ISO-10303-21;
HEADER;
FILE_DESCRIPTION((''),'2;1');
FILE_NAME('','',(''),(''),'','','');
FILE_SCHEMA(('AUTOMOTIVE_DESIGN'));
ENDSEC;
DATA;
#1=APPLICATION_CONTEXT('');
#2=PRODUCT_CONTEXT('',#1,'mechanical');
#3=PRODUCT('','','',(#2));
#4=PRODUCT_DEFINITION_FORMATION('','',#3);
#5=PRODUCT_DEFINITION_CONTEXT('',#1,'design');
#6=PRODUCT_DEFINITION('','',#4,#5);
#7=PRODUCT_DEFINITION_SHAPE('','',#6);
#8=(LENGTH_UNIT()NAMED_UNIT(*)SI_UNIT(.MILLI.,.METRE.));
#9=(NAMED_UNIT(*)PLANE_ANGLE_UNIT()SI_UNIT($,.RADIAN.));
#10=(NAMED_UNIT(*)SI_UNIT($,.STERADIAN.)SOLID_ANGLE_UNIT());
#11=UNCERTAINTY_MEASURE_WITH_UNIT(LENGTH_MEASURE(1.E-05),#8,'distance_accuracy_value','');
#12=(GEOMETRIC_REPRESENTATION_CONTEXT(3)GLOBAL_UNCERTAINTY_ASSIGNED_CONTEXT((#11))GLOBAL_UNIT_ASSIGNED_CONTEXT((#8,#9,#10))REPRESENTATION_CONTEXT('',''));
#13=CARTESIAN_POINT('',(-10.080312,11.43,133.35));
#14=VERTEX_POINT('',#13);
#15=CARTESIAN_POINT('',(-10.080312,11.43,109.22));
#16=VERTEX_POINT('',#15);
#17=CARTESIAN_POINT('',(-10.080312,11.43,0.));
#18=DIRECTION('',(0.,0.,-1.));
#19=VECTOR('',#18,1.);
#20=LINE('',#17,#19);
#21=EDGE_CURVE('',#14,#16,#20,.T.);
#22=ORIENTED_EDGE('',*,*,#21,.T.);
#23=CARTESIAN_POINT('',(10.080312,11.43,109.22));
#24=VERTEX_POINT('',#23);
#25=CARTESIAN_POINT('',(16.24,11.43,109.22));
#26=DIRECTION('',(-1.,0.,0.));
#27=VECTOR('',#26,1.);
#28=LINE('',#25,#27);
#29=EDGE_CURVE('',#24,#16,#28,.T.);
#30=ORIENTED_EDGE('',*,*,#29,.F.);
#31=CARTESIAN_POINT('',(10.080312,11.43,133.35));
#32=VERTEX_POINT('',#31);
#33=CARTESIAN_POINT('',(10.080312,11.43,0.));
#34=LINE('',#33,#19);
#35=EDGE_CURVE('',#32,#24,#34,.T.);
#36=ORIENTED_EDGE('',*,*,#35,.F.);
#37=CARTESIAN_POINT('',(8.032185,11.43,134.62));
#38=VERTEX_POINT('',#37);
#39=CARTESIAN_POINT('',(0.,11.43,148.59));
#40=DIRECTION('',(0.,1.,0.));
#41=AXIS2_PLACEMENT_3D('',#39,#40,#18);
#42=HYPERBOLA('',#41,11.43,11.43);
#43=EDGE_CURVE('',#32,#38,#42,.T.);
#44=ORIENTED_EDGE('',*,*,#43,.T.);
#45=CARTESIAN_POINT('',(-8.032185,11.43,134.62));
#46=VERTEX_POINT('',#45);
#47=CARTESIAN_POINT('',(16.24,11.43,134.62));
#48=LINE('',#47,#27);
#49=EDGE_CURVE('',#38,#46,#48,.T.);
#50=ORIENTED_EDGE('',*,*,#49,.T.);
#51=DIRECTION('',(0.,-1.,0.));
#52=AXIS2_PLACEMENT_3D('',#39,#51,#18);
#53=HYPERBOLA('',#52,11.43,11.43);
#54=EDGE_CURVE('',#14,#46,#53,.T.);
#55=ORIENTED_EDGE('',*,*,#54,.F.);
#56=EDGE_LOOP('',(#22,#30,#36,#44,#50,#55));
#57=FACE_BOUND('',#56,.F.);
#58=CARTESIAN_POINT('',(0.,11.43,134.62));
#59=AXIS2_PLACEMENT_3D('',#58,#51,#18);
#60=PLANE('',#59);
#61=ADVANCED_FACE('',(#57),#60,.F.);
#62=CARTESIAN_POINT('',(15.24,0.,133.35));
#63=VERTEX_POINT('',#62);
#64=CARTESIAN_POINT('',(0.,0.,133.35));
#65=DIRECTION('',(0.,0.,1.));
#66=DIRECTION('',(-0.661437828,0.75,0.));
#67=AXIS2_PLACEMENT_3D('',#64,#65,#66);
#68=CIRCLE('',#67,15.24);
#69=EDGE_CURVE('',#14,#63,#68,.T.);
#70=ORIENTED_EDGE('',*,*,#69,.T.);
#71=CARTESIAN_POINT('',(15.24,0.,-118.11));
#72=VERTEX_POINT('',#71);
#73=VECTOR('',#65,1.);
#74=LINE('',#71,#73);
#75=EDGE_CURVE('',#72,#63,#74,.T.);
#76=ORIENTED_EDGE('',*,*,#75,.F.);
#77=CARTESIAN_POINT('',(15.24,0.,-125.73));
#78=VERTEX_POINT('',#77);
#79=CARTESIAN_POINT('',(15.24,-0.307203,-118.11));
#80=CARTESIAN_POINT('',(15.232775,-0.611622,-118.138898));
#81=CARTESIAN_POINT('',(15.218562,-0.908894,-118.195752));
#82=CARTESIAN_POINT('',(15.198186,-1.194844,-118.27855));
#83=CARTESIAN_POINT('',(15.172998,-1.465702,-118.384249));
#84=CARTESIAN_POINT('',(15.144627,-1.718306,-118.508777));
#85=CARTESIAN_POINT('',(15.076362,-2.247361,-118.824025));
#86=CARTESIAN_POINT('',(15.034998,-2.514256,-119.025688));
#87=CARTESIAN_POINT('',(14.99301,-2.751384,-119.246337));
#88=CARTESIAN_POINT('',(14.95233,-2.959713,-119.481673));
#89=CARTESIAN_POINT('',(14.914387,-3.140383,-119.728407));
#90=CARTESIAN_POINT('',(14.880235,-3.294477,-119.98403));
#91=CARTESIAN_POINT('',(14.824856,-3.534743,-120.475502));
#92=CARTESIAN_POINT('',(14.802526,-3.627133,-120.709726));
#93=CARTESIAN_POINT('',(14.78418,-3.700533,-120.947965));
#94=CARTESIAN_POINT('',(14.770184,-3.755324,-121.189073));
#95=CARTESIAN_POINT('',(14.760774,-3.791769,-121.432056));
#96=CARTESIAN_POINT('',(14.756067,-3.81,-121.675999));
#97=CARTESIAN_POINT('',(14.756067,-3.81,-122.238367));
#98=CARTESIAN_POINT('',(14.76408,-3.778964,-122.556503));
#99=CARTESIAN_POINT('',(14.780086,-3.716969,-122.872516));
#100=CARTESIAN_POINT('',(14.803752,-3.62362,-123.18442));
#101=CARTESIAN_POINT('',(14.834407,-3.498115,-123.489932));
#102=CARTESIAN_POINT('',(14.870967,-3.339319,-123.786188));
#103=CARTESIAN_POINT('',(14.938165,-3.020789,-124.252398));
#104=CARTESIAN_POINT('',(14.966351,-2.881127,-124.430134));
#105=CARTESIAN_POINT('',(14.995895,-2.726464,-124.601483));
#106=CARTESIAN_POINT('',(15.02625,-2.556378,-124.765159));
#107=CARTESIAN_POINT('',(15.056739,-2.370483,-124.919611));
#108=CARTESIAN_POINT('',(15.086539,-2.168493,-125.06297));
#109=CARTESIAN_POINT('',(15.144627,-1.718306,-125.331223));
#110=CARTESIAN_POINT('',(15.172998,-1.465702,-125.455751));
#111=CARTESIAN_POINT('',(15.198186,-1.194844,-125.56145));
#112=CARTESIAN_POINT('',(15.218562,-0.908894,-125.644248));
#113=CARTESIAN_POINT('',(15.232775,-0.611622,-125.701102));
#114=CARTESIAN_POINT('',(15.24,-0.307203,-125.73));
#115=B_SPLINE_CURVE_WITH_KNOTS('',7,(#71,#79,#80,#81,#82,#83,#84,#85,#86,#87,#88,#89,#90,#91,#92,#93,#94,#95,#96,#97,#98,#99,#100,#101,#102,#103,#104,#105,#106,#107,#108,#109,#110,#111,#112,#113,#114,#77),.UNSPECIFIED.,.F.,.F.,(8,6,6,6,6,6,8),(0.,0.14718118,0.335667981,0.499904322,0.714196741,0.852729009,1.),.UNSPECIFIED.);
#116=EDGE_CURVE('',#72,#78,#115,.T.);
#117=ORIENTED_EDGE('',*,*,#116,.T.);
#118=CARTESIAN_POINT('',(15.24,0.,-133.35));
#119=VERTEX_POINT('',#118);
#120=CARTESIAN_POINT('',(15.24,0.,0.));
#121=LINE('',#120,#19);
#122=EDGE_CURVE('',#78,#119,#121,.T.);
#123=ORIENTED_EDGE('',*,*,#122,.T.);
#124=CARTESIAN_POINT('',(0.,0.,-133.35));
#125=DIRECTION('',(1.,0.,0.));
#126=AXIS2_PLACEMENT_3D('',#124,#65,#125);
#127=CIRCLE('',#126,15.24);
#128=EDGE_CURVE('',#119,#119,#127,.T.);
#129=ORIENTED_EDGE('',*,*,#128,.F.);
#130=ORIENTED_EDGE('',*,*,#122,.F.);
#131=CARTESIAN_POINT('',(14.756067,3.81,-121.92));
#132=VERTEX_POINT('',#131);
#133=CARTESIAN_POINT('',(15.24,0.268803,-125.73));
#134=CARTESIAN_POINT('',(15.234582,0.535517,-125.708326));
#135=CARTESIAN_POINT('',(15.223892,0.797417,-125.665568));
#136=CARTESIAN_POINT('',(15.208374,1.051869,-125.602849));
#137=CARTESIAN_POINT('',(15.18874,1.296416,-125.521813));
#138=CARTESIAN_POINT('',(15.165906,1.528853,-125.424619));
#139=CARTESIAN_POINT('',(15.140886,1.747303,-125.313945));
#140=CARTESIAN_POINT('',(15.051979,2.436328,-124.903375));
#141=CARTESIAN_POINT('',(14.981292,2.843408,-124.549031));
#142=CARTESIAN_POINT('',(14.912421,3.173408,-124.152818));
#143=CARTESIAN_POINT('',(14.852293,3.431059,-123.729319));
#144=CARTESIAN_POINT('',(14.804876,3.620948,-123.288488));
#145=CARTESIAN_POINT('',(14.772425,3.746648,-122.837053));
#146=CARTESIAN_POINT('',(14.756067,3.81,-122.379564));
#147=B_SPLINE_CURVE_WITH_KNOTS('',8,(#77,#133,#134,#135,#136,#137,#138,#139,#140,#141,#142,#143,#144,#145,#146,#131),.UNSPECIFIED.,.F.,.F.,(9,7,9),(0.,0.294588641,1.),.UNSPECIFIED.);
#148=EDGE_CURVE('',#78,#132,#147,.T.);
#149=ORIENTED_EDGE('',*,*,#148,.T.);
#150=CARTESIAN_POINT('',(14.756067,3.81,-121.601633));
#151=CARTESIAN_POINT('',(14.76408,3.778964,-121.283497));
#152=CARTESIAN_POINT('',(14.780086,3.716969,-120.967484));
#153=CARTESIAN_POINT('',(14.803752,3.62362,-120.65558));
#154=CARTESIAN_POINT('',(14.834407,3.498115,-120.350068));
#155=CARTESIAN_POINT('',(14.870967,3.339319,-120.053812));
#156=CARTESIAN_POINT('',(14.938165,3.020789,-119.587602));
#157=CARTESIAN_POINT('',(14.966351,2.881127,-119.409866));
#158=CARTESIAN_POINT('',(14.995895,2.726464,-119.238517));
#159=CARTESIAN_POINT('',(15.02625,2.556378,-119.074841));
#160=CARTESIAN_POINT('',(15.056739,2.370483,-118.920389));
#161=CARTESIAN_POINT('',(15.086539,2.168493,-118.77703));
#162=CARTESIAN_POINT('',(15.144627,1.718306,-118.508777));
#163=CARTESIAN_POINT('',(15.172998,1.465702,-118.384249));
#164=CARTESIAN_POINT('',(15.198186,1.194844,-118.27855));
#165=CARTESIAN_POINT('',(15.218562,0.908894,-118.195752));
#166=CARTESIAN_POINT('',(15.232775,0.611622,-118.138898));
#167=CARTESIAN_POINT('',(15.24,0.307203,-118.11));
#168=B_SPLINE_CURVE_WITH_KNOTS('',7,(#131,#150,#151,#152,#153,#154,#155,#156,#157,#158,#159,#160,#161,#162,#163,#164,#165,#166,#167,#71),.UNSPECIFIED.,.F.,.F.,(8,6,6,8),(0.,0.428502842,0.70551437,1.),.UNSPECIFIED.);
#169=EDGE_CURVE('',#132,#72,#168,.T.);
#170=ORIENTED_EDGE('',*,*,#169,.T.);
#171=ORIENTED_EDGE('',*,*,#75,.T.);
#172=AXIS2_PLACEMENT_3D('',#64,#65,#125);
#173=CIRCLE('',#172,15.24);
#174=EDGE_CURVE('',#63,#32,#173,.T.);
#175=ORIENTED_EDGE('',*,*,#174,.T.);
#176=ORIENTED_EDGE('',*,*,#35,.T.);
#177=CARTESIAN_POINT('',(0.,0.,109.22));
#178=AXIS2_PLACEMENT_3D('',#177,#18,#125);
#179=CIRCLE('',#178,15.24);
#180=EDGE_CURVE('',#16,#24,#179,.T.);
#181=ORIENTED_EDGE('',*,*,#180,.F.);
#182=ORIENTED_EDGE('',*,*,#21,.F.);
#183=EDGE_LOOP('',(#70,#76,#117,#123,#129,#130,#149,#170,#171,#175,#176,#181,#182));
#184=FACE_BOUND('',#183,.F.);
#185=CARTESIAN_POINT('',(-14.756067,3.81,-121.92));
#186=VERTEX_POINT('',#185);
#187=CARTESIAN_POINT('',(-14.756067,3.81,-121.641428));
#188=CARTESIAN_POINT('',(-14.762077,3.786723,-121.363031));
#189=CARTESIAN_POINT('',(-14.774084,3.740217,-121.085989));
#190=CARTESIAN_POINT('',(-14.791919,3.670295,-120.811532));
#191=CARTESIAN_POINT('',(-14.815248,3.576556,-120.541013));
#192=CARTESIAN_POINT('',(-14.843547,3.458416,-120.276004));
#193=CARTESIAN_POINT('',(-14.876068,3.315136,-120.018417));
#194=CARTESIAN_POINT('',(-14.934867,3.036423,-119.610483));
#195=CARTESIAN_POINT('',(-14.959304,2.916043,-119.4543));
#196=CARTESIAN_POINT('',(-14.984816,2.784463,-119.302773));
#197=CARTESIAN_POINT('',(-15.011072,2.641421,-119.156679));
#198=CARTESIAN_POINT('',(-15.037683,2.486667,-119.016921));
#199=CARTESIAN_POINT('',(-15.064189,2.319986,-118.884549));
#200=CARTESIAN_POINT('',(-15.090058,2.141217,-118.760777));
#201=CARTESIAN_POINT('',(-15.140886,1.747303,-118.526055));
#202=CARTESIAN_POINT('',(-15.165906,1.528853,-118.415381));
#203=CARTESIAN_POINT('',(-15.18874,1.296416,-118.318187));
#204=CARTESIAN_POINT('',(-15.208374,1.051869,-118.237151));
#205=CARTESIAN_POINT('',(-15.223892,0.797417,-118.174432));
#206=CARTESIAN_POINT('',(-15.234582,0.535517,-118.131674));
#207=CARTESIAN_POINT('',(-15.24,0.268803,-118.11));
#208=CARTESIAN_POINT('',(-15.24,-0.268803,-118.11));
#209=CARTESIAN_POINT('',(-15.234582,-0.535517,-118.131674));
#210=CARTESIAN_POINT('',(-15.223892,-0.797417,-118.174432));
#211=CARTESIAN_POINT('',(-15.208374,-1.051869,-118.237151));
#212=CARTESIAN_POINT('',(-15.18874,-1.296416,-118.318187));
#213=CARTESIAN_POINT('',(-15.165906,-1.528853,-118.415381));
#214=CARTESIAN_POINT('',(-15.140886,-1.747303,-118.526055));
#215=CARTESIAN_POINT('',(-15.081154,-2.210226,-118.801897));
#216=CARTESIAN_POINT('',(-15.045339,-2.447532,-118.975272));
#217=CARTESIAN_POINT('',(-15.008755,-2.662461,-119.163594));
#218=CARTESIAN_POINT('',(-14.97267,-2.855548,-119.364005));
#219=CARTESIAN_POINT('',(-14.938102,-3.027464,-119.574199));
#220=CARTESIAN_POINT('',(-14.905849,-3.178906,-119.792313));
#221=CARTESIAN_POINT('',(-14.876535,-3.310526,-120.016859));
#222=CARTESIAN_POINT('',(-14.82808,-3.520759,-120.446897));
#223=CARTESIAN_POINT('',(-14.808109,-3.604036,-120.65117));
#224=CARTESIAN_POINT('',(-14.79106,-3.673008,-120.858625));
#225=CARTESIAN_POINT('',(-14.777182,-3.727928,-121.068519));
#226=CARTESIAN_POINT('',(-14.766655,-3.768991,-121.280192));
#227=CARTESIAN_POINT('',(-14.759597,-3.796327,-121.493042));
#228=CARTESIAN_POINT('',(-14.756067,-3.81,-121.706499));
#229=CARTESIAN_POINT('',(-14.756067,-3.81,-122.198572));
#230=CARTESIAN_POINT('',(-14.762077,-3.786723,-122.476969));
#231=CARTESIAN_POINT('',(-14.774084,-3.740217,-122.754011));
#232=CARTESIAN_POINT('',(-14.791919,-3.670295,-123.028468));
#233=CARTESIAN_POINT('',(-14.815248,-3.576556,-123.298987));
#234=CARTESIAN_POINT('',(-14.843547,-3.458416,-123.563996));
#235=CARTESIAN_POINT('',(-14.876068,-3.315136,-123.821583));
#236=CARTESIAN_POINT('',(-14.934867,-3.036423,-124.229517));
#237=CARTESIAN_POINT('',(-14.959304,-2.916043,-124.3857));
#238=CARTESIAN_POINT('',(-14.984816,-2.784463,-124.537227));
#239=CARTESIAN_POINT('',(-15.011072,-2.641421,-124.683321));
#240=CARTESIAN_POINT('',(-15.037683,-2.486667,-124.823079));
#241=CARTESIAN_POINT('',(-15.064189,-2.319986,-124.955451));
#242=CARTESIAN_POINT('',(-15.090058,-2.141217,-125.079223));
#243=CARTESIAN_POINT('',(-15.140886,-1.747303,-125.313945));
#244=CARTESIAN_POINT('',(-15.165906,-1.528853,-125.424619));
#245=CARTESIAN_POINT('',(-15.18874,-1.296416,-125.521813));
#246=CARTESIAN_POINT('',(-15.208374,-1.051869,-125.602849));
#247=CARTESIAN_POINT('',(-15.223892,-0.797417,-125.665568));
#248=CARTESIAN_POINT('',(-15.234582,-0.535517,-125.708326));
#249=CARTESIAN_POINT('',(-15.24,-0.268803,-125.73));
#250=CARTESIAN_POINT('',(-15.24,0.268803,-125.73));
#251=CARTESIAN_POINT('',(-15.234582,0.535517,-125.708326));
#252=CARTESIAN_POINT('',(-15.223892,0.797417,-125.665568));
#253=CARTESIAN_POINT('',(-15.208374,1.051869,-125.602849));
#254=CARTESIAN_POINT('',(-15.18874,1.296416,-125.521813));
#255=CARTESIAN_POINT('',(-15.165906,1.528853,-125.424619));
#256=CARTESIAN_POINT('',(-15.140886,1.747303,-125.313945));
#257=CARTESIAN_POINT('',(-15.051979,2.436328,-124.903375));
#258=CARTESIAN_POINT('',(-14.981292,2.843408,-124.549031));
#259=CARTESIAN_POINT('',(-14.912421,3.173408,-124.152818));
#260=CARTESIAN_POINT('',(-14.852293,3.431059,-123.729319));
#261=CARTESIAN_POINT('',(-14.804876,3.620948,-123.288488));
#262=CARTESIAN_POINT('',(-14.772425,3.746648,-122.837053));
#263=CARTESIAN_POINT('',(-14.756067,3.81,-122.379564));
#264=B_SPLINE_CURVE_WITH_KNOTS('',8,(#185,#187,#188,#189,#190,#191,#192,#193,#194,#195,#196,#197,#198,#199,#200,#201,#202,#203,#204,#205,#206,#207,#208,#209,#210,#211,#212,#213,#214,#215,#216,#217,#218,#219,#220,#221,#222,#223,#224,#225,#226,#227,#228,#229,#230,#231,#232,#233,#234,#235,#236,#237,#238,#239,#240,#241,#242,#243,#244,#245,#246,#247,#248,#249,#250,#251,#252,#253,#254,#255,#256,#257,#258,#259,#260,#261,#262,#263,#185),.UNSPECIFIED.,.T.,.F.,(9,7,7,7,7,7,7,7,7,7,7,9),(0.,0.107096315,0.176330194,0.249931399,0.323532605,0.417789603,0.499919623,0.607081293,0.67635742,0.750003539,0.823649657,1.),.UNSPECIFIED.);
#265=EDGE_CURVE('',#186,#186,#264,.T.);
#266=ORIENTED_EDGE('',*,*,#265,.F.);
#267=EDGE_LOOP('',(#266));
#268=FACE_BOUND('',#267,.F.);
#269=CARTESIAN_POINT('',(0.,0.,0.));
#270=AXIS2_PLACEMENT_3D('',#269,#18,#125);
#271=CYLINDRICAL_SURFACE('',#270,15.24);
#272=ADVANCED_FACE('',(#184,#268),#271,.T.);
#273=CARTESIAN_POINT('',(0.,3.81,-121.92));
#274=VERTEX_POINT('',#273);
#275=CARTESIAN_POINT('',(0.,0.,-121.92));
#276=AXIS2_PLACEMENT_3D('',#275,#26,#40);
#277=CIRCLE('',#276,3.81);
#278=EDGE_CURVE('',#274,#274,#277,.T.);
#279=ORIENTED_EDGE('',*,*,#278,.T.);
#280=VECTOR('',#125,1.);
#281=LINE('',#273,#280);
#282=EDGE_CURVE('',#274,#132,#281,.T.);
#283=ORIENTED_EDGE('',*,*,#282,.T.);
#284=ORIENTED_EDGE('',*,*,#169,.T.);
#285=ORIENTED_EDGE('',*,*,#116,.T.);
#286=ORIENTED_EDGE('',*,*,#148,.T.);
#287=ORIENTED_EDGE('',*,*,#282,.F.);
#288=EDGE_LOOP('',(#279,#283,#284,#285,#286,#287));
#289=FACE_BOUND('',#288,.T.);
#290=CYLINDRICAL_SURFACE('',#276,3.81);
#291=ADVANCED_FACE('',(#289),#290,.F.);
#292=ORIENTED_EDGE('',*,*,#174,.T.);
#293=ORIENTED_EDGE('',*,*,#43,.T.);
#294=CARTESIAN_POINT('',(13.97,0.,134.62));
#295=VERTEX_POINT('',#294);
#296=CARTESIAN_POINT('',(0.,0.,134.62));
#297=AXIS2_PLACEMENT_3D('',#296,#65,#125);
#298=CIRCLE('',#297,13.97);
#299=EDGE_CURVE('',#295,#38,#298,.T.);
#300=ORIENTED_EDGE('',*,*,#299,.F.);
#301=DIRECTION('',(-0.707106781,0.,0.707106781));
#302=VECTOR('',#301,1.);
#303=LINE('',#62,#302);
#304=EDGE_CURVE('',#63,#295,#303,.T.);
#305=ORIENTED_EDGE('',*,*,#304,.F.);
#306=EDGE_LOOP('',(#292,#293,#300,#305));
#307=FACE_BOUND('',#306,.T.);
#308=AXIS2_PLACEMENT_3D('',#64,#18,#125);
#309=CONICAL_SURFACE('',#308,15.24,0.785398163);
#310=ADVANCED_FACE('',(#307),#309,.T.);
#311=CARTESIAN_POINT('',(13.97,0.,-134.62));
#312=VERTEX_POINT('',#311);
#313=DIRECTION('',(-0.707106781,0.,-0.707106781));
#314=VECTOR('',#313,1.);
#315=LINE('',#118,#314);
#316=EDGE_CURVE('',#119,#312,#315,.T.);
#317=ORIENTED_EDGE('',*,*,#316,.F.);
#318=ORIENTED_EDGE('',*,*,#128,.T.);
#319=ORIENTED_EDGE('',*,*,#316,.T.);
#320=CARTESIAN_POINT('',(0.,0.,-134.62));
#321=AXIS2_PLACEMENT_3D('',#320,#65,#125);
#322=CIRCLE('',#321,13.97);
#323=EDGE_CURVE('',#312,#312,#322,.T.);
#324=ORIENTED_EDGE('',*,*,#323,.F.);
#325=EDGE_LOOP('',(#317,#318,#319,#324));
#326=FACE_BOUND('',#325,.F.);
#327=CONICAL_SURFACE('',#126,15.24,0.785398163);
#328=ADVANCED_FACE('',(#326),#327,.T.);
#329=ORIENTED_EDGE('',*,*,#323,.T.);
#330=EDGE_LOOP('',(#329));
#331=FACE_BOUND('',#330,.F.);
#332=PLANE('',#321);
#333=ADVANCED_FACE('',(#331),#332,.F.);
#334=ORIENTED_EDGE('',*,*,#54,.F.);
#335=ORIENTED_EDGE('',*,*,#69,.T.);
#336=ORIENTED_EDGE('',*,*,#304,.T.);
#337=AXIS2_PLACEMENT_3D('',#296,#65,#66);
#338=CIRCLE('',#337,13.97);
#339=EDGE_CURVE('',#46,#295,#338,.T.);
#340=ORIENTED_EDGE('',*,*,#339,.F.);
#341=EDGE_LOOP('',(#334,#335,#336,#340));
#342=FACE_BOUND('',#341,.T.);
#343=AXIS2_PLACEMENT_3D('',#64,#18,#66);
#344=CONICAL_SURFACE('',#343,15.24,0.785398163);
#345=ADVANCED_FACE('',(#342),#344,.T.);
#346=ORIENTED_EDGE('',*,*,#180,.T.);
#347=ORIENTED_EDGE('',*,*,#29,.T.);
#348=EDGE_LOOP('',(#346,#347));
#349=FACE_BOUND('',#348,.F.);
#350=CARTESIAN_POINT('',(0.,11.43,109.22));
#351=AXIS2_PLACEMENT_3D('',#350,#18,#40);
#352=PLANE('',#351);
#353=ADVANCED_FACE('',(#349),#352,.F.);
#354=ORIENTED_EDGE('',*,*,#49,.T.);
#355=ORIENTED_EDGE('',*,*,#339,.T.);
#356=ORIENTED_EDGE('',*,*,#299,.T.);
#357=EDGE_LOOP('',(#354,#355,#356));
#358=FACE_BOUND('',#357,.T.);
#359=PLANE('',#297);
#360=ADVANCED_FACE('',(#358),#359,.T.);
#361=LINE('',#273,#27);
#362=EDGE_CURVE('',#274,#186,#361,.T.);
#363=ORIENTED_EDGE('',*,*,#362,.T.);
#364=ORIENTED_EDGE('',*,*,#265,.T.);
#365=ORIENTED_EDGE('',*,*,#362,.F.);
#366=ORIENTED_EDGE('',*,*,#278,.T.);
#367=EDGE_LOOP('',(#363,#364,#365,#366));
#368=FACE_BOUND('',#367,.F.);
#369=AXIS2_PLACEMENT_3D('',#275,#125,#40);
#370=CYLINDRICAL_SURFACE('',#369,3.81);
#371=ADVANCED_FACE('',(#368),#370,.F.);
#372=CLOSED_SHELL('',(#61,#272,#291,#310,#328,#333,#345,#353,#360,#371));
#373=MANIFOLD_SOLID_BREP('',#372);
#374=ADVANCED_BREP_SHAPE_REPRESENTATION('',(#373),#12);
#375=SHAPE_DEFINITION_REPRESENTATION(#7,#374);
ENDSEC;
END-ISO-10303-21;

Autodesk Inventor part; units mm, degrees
ref_plane "YZ Plane" through (0, 0, 0) normal (1, 0, 0) x (0, 1, 0)
ref_plane "XZ Plane" through (0, 0, 0) normal (0, 1, 0) x (-1, 0, 0)
ref_plane "XY Plane" through (0, 0, 0) normal (0, 0, 1) x (1, 0, 0)
sketch "Sketch1" plane through (0, 0, 0) normal (0, 0, 1) x (1, 0, 0)
  circle A0 centre (0, 0) radius 15.24
  dimension "d0" = 30.48
extrude "Extrusion1" add sketch "Sketch1" along normal mid plane 269.24
sketch "Sketch2" plane through (0, 0, 0) normal (1, 0, 0) x (0, 1, 0)
  line L0 (15.24, -134.62) -> (-15.24, -134.62) projected
  line L1 (-15.24, -134.62) -> (-15.24, 134.62) projected
  line L2 (-15.24, 134.62) -> (15.24, 134.62) projected
  line L3 (15.24, 134.62) -> (15.24, -134.62) projected
  line L4 (-15.24, -134.62) -> (15.24, -134.62) projected
  line L5 (15.24, 134.62) -> (-15.24, 134.62) projected
  circle A0 centre (0, -121.92) radius 3.81
  line L6 (19.558, 134.62) -> (11.43, 134.62)
  line L7 (11.43, 134.62) -> (11.43, 109.22)
  line L8 (11.43, 109.22) -> (19.558, 109.22)
  line L9 (19.558, 109.22) -> (19.558, 134.62)
  line L10 (0, -188.468) -> (0, 188.468) projected
  point P0 (0, 0)
  dimension "d3" = 7.62
  dimension "d4" = 12.7
  dimension "d5" = 8.128
  dimension "d6" = 25.4
  dimension "d7" = 11.43
extrude "Extrusion2" cut sketch "Sketch2" against normal through all both and the other way through all contours L8 L7 L2 L3 | L3 L6 L9 L8 | L10 A0 | A0 L10
chamfer "Chamfer1" distance 1.27 angle 45 3 edges at (13.8903, 6.2703, 134.62) (-6.2703, -13.8903, 134.62) (-15.24, 0, -134.62) measured on face at (-13.538, 6.9987, 44.8733)
equation "\"BendRadius\" = Thickness"
equation "\"BendReliefWidth\" = Thickness"
equation "\"BendReliefDepth\" = 0.5 * Thickness"
equation "\"CornerReliefSize\" = 4 * Thickness"
equation "\"MinimumRemnant\" = 2 * Thickness"
equation "\"TransitionRadius\" = BendRadius"
equation "\"JacobiRadiusSize\" = BendRadius"
equation "\"GapSize\" = Thickness"
equation "\"Thickness\" = 3.048"
properties part number "crankshaft" material "Stainless Steel"
